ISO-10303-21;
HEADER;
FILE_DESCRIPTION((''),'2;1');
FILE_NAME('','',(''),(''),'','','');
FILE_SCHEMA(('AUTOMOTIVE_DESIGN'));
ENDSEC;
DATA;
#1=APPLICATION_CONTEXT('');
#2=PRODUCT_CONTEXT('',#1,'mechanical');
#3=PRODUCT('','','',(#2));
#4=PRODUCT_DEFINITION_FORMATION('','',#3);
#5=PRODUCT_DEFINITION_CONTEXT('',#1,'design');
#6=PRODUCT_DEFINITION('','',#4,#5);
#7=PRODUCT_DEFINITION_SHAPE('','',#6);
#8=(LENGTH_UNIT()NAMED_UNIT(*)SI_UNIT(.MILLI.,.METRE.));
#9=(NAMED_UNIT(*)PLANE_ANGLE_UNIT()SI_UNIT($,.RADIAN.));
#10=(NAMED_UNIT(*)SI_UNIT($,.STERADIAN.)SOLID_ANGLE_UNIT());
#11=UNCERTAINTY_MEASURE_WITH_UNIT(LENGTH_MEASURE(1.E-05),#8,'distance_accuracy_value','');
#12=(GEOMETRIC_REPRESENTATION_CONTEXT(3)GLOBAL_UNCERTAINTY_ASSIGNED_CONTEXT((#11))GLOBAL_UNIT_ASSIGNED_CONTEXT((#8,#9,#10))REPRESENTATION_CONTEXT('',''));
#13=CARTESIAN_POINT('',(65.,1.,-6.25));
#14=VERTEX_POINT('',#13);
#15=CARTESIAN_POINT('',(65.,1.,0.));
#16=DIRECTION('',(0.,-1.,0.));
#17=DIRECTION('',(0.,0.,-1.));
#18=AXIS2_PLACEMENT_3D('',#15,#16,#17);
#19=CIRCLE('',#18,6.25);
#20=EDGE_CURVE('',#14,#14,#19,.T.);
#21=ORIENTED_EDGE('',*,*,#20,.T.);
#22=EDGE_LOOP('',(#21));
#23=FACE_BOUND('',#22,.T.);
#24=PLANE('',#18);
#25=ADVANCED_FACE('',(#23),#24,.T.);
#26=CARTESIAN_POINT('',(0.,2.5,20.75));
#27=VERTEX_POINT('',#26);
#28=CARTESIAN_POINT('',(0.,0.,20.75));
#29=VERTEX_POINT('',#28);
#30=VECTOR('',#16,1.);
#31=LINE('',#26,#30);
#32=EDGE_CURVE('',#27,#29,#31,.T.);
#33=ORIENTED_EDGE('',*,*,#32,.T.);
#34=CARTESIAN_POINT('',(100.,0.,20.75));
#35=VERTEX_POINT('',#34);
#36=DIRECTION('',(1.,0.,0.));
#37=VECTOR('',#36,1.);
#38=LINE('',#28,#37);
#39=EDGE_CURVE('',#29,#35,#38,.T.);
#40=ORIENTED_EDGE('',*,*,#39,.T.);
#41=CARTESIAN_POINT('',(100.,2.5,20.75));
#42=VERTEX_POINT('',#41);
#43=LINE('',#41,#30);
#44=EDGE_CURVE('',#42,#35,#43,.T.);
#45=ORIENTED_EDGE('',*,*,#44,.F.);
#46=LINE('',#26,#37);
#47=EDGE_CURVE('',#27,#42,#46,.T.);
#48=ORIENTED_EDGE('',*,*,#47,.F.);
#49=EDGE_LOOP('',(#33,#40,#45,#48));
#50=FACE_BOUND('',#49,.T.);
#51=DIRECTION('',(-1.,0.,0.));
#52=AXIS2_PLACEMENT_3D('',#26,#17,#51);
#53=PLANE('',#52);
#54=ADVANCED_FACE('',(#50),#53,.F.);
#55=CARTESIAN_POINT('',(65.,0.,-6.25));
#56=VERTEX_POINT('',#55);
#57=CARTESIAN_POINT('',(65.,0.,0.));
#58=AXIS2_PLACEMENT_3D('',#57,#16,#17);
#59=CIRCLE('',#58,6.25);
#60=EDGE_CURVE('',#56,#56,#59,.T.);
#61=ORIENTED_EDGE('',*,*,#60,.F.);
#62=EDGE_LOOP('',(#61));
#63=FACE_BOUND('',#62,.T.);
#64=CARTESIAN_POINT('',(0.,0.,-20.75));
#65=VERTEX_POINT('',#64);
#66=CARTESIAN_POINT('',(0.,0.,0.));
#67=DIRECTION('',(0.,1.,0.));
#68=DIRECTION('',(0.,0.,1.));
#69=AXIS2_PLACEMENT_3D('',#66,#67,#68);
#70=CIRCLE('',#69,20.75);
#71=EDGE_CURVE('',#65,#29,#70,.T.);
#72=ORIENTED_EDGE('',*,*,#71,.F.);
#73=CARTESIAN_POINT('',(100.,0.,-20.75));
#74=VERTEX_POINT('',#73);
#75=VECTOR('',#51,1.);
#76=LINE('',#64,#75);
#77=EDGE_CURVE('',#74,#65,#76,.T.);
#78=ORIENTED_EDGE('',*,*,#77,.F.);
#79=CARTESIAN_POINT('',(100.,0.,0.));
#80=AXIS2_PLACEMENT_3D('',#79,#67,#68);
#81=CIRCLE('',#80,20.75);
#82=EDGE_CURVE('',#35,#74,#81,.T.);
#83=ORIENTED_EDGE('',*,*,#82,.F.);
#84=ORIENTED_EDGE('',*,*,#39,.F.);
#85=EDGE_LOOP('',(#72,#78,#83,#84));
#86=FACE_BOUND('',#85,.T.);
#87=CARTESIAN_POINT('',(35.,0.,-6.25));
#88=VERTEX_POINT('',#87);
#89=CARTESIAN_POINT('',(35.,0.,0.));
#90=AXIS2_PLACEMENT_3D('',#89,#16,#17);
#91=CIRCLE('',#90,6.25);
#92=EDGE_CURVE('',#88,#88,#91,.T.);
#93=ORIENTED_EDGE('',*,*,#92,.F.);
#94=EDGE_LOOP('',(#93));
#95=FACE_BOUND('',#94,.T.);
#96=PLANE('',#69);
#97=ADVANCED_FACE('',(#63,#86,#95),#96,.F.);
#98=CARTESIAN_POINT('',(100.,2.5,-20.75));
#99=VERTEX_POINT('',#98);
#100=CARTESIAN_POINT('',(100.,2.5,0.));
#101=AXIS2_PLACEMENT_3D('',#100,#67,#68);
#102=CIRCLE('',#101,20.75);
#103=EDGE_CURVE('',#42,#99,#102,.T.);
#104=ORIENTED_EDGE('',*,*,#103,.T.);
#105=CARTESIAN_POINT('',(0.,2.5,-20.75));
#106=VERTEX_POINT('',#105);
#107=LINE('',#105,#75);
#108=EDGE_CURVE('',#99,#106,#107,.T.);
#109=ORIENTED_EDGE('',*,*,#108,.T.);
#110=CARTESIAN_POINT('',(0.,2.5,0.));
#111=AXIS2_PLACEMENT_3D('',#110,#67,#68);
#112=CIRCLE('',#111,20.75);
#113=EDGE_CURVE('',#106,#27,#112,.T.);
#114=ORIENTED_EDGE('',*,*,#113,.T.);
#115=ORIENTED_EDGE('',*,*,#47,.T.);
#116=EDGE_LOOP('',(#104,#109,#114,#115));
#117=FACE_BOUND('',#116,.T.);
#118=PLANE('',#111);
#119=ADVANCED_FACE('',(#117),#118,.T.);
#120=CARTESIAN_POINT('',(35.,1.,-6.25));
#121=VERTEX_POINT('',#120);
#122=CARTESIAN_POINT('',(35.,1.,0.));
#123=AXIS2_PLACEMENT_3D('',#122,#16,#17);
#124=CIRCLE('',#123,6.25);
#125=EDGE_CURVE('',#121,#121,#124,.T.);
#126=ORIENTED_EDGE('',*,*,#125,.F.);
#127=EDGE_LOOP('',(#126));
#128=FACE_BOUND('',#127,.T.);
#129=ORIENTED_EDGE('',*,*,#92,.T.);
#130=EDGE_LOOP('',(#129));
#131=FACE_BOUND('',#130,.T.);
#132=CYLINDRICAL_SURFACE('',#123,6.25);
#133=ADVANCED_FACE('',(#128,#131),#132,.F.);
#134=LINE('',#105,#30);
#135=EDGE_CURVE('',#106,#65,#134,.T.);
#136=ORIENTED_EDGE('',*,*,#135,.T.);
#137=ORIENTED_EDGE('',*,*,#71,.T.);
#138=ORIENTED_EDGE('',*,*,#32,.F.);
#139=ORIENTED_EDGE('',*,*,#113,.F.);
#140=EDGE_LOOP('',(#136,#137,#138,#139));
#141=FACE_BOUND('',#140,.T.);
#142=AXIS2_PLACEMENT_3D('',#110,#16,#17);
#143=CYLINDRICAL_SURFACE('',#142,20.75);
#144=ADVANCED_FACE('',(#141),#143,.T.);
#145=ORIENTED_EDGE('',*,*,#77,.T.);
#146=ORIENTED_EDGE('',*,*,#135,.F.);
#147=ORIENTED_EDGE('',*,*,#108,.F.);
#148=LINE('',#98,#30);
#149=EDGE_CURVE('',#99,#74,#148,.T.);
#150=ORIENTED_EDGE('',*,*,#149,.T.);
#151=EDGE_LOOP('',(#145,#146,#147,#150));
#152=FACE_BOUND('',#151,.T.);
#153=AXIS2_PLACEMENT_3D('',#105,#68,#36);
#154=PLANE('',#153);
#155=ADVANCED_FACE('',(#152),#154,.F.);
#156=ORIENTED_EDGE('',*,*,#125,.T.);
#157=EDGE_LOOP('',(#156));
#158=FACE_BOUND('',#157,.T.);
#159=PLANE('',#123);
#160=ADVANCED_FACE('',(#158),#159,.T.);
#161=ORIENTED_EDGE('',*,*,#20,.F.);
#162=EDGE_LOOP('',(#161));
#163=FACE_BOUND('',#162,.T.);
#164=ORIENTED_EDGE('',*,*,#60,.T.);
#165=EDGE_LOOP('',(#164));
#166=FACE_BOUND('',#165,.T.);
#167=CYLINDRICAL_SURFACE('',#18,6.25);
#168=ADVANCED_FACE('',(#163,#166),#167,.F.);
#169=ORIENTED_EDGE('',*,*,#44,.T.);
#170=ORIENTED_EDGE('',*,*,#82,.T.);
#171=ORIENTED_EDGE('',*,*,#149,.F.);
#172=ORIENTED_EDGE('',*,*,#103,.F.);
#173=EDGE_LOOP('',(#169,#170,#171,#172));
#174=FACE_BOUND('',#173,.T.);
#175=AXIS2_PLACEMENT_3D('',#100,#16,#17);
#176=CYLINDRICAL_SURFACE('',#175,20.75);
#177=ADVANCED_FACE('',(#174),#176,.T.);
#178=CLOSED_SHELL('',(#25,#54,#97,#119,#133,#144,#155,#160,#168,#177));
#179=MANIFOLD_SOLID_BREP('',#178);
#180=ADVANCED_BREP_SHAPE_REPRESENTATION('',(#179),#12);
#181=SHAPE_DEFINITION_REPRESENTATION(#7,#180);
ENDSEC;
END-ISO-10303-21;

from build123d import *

# Parameters (mm, degrees)
BOSS_EXTRUDE1_DEPTH = 2.5
SKETCH2_R           = 6.25
CUT_EXTRUDE1_DEPTH  = 1


with BuildPart() as part:
    # Sketch1 → Boss-Extrude1 (new body)
    with BuildSketch(Plane(origin=(0, 0, 0), x_dir=(1, 0, 0), z_dir=(0, 1, 0))):
        with BuildLine():
            Line((0, 20.75), (100, 20.75))
            ThreePointArc((100, 20.75), (120.75, 0), (100, -20.75))
            Line((100, -20.75), (0, -20.75))
            ThreePointArc((0, -20.75), (-20.75, 0), (0, 20.75))
        make_face()
    extrude(amount=BOSS_EXTRUDE1_DEPTH)

    # Sketch2 → Cut-Extrude1 (cut)
    with BuildSketch(Plane.XZ):
        with Locations(Location((35, 0, 0), (0, 0, 270))):
            Circle(SKETCH2_R)
        with Locations(Location((65, 0, 0), (0, 0, 270))):
            Circle(SKETCH2_R)
    extrude(amount=-CUT_EXTRUDE1_DEPTH, mode=Mode.SUBTRACT)


solid = part.part
